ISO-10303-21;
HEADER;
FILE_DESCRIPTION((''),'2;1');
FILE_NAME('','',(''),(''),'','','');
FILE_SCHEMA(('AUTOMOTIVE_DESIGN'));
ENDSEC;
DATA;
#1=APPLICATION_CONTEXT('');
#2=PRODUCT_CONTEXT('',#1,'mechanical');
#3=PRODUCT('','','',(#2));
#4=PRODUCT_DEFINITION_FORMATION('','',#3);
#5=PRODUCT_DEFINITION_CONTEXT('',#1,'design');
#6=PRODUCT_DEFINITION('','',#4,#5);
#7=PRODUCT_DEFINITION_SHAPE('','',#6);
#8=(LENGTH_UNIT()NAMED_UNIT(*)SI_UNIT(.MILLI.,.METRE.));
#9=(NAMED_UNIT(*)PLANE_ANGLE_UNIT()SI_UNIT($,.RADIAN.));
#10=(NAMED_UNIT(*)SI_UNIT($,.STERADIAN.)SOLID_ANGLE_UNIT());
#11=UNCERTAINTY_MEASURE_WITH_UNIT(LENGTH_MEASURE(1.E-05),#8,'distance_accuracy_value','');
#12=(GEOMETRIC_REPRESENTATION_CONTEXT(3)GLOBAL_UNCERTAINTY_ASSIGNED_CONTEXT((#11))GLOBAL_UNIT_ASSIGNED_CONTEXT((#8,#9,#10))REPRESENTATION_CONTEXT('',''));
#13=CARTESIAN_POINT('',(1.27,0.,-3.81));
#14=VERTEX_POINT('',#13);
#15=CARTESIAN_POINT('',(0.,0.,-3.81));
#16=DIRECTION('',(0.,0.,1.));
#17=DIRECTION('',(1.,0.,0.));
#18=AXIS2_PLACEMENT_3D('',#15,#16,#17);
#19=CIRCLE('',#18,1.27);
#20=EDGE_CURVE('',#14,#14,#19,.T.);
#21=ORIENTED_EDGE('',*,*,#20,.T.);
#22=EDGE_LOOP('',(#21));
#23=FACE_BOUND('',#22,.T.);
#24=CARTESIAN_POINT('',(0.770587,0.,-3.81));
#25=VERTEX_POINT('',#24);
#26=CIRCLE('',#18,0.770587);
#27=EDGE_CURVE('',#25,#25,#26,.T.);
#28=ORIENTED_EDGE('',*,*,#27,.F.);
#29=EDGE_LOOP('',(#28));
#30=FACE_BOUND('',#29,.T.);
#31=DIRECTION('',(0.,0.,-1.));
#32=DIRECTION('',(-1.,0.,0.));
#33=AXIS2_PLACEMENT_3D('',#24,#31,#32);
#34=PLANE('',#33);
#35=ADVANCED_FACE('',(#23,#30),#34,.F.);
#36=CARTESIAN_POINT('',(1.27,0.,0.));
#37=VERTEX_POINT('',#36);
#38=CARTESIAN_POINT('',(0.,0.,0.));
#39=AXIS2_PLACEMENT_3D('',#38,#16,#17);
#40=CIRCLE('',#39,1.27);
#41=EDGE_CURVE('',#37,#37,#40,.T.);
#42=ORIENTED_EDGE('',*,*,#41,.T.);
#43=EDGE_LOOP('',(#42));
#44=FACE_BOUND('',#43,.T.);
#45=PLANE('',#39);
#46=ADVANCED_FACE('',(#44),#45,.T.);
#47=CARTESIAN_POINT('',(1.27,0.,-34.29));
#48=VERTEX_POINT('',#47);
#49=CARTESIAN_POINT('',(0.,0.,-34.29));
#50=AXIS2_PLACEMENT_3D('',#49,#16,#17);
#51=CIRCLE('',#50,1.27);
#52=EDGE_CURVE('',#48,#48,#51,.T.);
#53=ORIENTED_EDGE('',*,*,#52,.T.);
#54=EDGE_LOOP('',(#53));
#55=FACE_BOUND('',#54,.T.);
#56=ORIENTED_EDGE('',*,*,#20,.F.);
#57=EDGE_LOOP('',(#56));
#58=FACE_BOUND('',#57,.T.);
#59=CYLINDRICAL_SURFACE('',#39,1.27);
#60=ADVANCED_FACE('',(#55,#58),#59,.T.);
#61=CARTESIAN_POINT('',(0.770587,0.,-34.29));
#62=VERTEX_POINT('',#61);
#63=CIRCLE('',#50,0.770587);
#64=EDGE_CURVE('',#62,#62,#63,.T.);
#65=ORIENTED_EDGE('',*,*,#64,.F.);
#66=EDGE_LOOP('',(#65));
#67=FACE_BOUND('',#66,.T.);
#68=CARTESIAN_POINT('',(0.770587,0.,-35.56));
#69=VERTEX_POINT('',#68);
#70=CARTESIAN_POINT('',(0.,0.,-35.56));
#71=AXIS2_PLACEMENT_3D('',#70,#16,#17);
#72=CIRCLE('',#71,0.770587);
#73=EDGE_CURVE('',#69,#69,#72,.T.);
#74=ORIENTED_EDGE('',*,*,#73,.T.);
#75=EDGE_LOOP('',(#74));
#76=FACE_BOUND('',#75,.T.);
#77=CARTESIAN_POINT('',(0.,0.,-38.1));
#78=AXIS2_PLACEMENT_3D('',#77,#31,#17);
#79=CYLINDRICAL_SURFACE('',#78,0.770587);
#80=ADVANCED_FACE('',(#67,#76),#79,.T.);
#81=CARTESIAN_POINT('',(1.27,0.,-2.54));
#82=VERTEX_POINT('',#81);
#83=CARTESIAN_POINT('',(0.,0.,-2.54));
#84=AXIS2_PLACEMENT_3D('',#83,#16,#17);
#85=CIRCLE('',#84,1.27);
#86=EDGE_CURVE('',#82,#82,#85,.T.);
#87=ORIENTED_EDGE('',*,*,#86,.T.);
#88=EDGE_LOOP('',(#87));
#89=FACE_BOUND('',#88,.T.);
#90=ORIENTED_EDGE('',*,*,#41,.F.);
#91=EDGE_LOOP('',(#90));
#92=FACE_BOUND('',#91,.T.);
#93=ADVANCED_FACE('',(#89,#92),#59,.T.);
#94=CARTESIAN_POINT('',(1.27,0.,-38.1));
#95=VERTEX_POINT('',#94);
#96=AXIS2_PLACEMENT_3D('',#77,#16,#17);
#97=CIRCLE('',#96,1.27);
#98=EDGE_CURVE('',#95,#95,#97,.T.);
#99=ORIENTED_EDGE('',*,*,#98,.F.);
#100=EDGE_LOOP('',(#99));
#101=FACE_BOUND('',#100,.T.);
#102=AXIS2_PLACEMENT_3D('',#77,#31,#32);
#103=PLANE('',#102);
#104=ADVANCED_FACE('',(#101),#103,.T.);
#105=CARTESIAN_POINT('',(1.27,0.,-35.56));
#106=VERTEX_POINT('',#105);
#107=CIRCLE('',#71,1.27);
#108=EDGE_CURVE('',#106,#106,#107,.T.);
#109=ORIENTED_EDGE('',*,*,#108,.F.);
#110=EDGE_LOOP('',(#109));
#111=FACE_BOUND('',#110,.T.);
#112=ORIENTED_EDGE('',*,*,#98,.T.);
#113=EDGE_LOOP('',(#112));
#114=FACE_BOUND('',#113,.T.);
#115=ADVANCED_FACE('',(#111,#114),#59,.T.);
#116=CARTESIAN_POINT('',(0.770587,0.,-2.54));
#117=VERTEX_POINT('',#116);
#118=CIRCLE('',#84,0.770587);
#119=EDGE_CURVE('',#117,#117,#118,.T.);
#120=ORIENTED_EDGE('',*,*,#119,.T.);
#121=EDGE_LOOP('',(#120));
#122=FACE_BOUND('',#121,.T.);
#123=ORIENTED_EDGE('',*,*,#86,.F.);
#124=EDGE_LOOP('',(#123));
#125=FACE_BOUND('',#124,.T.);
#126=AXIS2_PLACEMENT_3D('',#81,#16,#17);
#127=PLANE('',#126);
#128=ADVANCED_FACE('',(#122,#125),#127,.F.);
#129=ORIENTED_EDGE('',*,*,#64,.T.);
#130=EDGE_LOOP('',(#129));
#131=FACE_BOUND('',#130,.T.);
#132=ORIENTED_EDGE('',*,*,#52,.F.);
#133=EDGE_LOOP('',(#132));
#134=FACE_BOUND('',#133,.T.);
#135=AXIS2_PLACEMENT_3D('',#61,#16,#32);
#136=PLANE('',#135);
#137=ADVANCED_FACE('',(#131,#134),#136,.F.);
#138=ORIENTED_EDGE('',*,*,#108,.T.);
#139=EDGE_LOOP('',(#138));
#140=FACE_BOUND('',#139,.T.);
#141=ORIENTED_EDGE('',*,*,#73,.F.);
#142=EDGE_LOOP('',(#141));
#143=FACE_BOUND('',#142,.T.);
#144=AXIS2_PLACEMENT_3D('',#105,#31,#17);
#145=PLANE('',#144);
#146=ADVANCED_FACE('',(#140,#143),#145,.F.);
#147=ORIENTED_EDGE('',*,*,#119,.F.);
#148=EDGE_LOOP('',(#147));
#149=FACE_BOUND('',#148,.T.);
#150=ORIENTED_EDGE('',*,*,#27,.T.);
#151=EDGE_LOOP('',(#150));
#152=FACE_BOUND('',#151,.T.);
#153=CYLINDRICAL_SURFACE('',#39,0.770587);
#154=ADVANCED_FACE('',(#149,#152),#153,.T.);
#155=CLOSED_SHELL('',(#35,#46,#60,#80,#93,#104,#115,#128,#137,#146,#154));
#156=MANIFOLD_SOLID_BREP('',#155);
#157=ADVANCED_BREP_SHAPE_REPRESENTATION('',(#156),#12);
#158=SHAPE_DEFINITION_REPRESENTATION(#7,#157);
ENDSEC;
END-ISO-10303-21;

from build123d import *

# Parameters (mm, degrees)
SKETCH2_W = 1.27
SKETCH2_H = 38.1
SKETCH3_W = 0.499412869
SKETCH3_H = 1.27


with BuildPart() as part:
    # Sketch2 → Revolve1 (revolve)
    with BuildSketch(Plane(origin=(0, 0, 0), x_dir=(1, 0, 0), z_dir=(0, 1, 0))):
        with Locations((0.635, 19.05)):
            Rectangle(SKETCH2_W, SKETCH2_H)
    revolve(axis=Axis((0, 0, 0), (0, 0, -1)))

    # Sketch3 → Cut-Revolve1 (revolve, cut)
    with BuildSketch(Plane(origin=(0, 0, 0), x_dir=(1, 0, 0), z_dir=(0, 1, 0))):
        with Locations((1.020293566, 3.175)):
            Rectangle(SKETCH3_W, SKETCH3_H)
    cut_revolve1 = revolve(axis=Axis((0, 0, 0), (0, 0, -1)), mode=Mode.SUBTRACT)

    # Mirror1: Cut-Revolve1 across plane
    add(cut_revolve1.mirror(Plane.XY.offset(-19.05)), mode=Mode.SUBTRACT)


solid = part.part
